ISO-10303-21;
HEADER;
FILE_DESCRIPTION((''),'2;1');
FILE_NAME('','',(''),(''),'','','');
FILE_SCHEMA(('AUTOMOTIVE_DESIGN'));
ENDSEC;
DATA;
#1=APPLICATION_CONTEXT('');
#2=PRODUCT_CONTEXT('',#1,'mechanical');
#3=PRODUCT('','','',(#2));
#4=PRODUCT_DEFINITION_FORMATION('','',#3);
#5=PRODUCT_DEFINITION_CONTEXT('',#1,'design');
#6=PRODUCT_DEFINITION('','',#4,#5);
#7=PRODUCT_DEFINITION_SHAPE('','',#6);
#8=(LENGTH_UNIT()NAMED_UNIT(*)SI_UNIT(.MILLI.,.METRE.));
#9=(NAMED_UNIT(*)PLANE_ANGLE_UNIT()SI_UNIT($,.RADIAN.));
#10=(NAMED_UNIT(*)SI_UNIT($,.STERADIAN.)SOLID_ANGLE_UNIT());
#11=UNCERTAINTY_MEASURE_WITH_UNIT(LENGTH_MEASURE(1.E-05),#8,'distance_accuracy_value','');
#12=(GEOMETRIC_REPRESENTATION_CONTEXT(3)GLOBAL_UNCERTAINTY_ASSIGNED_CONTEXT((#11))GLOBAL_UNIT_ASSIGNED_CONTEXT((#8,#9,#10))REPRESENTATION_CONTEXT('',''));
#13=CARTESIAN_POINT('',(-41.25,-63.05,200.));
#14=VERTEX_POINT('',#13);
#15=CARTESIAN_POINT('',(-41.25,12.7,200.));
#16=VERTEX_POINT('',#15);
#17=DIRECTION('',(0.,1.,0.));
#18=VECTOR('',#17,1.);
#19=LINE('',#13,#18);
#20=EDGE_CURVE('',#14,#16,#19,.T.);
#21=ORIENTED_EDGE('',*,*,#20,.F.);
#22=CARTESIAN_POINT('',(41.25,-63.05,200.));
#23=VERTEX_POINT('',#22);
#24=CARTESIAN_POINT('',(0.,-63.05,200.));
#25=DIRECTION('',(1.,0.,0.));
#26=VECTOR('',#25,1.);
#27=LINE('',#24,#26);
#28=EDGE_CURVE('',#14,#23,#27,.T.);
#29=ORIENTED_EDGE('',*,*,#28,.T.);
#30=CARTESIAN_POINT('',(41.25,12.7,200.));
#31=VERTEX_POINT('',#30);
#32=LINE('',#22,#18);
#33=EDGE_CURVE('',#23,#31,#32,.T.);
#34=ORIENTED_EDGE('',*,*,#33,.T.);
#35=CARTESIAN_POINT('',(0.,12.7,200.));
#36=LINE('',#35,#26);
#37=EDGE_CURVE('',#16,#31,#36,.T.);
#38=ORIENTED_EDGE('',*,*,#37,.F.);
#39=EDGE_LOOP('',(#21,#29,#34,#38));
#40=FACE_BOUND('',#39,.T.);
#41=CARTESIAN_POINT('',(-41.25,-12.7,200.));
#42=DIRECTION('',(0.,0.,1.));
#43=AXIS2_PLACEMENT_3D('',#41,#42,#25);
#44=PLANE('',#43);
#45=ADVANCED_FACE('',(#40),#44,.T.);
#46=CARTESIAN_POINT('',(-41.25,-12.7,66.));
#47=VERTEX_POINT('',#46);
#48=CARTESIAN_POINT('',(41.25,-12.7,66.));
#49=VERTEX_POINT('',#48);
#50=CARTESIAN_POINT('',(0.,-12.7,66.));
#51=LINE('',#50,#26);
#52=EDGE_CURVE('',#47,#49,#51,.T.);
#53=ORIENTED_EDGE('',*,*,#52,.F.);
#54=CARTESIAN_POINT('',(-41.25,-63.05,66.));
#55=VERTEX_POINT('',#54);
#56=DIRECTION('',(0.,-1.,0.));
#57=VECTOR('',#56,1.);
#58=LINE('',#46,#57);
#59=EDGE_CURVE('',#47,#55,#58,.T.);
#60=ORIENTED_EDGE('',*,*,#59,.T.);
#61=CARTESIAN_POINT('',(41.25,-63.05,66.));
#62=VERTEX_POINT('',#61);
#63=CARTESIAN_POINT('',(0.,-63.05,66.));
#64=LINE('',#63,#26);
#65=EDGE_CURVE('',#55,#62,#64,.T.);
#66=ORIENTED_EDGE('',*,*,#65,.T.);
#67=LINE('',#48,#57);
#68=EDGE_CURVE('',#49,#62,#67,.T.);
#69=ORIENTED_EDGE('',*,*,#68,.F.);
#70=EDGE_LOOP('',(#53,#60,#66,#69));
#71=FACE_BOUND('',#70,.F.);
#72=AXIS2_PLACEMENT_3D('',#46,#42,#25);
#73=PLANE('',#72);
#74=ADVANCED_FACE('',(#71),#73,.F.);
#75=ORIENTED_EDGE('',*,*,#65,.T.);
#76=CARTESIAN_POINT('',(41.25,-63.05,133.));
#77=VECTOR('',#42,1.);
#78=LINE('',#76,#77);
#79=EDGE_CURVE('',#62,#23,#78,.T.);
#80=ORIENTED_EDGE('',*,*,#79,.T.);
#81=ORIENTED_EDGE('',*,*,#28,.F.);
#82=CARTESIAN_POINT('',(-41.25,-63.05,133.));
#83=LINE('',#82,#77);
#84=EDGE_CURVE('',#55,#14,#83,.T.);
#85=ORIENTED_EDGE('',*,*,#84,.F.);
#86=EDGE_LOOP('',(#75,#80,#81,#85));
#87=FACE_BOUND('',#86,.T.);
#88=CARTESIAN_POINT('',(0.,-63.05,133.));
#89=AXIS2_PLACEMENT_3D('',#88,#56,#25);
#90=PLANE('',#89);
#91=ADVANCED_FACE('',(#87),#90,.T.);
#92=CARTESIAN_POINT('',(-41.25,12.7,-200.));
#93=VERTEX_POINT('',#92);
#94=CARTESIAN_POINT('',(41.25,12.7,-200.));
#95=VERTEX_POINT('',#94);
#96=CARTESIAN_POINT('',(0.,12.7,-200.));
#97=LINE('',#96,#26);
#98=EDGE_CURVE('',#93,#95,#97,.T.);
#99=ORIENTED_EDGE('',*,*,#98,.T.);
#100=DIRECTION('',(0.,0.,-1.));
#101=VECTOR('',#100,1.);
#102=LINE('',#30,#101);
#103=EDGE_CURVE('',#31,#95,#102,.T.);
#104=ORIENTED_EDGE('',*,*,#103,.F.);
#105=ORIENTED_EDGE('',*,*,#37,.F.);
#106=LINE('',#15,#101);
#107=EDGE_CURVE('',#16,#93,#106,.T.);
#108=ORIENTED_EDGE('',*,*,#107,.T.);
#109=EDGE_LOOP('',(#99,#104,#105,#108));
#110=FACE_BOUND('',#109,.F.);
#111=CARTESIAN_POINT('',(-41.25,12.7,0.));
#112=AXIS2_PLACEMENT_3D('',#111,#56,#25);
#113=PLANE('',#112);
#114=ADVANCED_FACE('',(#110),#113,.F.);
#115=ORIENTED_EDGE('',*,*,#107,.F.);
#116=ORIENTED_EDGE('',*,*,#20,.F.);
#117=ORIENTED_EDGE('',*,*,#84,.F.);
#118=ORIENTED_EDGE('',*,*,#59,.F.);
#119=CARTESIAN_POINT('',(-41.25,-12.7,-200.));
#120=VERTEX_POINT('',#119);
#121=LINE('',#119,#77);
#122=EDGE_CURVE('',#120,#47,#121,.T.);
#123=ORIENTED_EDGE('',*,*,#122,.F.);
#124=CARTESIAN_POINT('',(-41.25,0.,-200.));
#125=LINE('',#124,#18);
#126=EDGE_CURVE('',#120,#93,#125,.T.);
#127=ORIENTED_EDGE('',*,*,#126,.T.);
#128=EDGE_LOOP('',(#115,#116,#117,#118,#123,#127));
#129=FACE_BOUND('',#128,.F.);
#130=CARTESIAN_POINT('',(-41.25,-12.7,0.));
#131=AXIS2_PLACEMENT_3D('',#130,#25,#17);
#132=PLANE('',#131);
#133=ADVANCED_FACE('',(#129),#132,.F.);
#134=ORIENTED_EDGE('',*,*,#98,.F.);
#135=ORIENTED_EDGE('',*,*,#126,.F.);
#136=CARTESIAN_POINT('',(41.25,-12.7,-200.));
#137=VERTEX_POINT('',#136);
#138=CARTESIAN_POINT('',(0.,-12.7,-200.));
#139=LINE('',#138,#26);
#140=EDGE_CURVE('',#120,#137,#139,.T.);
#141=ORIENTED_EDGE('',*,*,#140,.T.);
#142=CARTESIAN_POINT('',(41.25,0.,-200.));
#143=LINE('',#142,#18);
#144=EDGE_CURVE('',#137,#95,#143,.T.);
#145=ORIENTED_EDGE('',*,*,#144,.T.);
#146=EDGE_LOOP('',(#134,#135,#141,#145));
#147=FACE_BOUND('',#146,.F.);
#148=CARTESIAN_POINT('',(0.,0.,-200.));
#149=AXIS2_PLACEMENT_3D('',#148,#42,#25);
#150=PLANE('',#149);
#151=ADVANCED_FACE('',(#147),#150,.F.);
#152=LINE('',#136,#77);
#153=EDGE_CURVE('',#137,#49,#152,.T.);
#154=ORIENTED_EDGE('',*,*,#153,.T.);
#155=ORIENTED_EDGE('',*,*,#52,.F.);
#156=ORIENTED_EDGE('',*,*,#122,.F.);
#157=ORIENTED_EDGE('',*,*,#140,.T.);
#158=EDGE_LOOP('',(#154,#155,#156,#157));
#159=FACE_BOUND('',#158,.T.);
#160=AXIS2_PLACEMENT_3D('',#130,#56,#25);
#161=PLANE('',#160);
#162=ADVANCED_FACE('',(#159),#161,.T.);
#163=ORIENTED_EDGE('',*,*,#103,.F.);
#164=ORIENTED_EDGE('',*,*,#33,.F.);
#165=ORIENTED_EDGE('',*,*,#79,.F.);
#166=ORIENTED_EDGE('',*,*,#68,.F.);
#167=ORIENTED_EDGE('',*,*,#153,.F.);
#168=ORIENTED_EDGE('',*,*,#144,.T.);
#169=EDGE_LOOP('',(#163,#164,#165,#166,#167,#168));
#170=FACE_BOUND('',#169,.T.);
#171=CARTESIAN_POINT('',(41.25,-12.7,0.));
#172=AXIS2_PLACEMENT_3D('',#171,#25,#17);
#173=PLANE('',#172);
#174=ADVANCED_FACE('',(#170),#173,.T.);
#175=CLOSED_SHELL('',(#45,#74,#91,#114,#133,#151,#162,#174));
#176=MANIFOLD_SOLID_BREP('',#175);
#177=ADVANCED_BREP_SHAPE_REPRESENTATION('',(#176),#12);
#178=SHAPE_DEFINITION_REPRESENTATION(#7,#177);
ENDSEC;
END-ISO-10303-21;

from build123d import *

# Parameters (mm, degrees)
F0_W     = 82.5
F0_H     = 25.4
F1_DEPTH = 200
F2_W     = 82.5
F2_H     = 134
F3_DEPTH = 50.35
F4_DEPTH = 200


with BuildPart() as f1:
    # F0 (on Top) → F1 (new body)
    with BuildSketch(Plane.XY):
        Rectangle(F0_W, F0_H)
    extrude(amount=F1_DEPTH)

    # F2 (on face) → F3 (join)
    with BuildSketch(Plane.XZ.offset(12.7)):
        with Locations((0, 133)):
            Rectangle(F2_W, F2_H)
    extrude(amount=F3_DEPTH)

    # F4 (add): a face of the model
    f4_faces = [f1.faces().sort_by_distance(p)[0] for p in [
        (0, 0, 0),
    ]]
    extrude(f4_faces, amount=F4_DEPTH)


solid = f1.part
